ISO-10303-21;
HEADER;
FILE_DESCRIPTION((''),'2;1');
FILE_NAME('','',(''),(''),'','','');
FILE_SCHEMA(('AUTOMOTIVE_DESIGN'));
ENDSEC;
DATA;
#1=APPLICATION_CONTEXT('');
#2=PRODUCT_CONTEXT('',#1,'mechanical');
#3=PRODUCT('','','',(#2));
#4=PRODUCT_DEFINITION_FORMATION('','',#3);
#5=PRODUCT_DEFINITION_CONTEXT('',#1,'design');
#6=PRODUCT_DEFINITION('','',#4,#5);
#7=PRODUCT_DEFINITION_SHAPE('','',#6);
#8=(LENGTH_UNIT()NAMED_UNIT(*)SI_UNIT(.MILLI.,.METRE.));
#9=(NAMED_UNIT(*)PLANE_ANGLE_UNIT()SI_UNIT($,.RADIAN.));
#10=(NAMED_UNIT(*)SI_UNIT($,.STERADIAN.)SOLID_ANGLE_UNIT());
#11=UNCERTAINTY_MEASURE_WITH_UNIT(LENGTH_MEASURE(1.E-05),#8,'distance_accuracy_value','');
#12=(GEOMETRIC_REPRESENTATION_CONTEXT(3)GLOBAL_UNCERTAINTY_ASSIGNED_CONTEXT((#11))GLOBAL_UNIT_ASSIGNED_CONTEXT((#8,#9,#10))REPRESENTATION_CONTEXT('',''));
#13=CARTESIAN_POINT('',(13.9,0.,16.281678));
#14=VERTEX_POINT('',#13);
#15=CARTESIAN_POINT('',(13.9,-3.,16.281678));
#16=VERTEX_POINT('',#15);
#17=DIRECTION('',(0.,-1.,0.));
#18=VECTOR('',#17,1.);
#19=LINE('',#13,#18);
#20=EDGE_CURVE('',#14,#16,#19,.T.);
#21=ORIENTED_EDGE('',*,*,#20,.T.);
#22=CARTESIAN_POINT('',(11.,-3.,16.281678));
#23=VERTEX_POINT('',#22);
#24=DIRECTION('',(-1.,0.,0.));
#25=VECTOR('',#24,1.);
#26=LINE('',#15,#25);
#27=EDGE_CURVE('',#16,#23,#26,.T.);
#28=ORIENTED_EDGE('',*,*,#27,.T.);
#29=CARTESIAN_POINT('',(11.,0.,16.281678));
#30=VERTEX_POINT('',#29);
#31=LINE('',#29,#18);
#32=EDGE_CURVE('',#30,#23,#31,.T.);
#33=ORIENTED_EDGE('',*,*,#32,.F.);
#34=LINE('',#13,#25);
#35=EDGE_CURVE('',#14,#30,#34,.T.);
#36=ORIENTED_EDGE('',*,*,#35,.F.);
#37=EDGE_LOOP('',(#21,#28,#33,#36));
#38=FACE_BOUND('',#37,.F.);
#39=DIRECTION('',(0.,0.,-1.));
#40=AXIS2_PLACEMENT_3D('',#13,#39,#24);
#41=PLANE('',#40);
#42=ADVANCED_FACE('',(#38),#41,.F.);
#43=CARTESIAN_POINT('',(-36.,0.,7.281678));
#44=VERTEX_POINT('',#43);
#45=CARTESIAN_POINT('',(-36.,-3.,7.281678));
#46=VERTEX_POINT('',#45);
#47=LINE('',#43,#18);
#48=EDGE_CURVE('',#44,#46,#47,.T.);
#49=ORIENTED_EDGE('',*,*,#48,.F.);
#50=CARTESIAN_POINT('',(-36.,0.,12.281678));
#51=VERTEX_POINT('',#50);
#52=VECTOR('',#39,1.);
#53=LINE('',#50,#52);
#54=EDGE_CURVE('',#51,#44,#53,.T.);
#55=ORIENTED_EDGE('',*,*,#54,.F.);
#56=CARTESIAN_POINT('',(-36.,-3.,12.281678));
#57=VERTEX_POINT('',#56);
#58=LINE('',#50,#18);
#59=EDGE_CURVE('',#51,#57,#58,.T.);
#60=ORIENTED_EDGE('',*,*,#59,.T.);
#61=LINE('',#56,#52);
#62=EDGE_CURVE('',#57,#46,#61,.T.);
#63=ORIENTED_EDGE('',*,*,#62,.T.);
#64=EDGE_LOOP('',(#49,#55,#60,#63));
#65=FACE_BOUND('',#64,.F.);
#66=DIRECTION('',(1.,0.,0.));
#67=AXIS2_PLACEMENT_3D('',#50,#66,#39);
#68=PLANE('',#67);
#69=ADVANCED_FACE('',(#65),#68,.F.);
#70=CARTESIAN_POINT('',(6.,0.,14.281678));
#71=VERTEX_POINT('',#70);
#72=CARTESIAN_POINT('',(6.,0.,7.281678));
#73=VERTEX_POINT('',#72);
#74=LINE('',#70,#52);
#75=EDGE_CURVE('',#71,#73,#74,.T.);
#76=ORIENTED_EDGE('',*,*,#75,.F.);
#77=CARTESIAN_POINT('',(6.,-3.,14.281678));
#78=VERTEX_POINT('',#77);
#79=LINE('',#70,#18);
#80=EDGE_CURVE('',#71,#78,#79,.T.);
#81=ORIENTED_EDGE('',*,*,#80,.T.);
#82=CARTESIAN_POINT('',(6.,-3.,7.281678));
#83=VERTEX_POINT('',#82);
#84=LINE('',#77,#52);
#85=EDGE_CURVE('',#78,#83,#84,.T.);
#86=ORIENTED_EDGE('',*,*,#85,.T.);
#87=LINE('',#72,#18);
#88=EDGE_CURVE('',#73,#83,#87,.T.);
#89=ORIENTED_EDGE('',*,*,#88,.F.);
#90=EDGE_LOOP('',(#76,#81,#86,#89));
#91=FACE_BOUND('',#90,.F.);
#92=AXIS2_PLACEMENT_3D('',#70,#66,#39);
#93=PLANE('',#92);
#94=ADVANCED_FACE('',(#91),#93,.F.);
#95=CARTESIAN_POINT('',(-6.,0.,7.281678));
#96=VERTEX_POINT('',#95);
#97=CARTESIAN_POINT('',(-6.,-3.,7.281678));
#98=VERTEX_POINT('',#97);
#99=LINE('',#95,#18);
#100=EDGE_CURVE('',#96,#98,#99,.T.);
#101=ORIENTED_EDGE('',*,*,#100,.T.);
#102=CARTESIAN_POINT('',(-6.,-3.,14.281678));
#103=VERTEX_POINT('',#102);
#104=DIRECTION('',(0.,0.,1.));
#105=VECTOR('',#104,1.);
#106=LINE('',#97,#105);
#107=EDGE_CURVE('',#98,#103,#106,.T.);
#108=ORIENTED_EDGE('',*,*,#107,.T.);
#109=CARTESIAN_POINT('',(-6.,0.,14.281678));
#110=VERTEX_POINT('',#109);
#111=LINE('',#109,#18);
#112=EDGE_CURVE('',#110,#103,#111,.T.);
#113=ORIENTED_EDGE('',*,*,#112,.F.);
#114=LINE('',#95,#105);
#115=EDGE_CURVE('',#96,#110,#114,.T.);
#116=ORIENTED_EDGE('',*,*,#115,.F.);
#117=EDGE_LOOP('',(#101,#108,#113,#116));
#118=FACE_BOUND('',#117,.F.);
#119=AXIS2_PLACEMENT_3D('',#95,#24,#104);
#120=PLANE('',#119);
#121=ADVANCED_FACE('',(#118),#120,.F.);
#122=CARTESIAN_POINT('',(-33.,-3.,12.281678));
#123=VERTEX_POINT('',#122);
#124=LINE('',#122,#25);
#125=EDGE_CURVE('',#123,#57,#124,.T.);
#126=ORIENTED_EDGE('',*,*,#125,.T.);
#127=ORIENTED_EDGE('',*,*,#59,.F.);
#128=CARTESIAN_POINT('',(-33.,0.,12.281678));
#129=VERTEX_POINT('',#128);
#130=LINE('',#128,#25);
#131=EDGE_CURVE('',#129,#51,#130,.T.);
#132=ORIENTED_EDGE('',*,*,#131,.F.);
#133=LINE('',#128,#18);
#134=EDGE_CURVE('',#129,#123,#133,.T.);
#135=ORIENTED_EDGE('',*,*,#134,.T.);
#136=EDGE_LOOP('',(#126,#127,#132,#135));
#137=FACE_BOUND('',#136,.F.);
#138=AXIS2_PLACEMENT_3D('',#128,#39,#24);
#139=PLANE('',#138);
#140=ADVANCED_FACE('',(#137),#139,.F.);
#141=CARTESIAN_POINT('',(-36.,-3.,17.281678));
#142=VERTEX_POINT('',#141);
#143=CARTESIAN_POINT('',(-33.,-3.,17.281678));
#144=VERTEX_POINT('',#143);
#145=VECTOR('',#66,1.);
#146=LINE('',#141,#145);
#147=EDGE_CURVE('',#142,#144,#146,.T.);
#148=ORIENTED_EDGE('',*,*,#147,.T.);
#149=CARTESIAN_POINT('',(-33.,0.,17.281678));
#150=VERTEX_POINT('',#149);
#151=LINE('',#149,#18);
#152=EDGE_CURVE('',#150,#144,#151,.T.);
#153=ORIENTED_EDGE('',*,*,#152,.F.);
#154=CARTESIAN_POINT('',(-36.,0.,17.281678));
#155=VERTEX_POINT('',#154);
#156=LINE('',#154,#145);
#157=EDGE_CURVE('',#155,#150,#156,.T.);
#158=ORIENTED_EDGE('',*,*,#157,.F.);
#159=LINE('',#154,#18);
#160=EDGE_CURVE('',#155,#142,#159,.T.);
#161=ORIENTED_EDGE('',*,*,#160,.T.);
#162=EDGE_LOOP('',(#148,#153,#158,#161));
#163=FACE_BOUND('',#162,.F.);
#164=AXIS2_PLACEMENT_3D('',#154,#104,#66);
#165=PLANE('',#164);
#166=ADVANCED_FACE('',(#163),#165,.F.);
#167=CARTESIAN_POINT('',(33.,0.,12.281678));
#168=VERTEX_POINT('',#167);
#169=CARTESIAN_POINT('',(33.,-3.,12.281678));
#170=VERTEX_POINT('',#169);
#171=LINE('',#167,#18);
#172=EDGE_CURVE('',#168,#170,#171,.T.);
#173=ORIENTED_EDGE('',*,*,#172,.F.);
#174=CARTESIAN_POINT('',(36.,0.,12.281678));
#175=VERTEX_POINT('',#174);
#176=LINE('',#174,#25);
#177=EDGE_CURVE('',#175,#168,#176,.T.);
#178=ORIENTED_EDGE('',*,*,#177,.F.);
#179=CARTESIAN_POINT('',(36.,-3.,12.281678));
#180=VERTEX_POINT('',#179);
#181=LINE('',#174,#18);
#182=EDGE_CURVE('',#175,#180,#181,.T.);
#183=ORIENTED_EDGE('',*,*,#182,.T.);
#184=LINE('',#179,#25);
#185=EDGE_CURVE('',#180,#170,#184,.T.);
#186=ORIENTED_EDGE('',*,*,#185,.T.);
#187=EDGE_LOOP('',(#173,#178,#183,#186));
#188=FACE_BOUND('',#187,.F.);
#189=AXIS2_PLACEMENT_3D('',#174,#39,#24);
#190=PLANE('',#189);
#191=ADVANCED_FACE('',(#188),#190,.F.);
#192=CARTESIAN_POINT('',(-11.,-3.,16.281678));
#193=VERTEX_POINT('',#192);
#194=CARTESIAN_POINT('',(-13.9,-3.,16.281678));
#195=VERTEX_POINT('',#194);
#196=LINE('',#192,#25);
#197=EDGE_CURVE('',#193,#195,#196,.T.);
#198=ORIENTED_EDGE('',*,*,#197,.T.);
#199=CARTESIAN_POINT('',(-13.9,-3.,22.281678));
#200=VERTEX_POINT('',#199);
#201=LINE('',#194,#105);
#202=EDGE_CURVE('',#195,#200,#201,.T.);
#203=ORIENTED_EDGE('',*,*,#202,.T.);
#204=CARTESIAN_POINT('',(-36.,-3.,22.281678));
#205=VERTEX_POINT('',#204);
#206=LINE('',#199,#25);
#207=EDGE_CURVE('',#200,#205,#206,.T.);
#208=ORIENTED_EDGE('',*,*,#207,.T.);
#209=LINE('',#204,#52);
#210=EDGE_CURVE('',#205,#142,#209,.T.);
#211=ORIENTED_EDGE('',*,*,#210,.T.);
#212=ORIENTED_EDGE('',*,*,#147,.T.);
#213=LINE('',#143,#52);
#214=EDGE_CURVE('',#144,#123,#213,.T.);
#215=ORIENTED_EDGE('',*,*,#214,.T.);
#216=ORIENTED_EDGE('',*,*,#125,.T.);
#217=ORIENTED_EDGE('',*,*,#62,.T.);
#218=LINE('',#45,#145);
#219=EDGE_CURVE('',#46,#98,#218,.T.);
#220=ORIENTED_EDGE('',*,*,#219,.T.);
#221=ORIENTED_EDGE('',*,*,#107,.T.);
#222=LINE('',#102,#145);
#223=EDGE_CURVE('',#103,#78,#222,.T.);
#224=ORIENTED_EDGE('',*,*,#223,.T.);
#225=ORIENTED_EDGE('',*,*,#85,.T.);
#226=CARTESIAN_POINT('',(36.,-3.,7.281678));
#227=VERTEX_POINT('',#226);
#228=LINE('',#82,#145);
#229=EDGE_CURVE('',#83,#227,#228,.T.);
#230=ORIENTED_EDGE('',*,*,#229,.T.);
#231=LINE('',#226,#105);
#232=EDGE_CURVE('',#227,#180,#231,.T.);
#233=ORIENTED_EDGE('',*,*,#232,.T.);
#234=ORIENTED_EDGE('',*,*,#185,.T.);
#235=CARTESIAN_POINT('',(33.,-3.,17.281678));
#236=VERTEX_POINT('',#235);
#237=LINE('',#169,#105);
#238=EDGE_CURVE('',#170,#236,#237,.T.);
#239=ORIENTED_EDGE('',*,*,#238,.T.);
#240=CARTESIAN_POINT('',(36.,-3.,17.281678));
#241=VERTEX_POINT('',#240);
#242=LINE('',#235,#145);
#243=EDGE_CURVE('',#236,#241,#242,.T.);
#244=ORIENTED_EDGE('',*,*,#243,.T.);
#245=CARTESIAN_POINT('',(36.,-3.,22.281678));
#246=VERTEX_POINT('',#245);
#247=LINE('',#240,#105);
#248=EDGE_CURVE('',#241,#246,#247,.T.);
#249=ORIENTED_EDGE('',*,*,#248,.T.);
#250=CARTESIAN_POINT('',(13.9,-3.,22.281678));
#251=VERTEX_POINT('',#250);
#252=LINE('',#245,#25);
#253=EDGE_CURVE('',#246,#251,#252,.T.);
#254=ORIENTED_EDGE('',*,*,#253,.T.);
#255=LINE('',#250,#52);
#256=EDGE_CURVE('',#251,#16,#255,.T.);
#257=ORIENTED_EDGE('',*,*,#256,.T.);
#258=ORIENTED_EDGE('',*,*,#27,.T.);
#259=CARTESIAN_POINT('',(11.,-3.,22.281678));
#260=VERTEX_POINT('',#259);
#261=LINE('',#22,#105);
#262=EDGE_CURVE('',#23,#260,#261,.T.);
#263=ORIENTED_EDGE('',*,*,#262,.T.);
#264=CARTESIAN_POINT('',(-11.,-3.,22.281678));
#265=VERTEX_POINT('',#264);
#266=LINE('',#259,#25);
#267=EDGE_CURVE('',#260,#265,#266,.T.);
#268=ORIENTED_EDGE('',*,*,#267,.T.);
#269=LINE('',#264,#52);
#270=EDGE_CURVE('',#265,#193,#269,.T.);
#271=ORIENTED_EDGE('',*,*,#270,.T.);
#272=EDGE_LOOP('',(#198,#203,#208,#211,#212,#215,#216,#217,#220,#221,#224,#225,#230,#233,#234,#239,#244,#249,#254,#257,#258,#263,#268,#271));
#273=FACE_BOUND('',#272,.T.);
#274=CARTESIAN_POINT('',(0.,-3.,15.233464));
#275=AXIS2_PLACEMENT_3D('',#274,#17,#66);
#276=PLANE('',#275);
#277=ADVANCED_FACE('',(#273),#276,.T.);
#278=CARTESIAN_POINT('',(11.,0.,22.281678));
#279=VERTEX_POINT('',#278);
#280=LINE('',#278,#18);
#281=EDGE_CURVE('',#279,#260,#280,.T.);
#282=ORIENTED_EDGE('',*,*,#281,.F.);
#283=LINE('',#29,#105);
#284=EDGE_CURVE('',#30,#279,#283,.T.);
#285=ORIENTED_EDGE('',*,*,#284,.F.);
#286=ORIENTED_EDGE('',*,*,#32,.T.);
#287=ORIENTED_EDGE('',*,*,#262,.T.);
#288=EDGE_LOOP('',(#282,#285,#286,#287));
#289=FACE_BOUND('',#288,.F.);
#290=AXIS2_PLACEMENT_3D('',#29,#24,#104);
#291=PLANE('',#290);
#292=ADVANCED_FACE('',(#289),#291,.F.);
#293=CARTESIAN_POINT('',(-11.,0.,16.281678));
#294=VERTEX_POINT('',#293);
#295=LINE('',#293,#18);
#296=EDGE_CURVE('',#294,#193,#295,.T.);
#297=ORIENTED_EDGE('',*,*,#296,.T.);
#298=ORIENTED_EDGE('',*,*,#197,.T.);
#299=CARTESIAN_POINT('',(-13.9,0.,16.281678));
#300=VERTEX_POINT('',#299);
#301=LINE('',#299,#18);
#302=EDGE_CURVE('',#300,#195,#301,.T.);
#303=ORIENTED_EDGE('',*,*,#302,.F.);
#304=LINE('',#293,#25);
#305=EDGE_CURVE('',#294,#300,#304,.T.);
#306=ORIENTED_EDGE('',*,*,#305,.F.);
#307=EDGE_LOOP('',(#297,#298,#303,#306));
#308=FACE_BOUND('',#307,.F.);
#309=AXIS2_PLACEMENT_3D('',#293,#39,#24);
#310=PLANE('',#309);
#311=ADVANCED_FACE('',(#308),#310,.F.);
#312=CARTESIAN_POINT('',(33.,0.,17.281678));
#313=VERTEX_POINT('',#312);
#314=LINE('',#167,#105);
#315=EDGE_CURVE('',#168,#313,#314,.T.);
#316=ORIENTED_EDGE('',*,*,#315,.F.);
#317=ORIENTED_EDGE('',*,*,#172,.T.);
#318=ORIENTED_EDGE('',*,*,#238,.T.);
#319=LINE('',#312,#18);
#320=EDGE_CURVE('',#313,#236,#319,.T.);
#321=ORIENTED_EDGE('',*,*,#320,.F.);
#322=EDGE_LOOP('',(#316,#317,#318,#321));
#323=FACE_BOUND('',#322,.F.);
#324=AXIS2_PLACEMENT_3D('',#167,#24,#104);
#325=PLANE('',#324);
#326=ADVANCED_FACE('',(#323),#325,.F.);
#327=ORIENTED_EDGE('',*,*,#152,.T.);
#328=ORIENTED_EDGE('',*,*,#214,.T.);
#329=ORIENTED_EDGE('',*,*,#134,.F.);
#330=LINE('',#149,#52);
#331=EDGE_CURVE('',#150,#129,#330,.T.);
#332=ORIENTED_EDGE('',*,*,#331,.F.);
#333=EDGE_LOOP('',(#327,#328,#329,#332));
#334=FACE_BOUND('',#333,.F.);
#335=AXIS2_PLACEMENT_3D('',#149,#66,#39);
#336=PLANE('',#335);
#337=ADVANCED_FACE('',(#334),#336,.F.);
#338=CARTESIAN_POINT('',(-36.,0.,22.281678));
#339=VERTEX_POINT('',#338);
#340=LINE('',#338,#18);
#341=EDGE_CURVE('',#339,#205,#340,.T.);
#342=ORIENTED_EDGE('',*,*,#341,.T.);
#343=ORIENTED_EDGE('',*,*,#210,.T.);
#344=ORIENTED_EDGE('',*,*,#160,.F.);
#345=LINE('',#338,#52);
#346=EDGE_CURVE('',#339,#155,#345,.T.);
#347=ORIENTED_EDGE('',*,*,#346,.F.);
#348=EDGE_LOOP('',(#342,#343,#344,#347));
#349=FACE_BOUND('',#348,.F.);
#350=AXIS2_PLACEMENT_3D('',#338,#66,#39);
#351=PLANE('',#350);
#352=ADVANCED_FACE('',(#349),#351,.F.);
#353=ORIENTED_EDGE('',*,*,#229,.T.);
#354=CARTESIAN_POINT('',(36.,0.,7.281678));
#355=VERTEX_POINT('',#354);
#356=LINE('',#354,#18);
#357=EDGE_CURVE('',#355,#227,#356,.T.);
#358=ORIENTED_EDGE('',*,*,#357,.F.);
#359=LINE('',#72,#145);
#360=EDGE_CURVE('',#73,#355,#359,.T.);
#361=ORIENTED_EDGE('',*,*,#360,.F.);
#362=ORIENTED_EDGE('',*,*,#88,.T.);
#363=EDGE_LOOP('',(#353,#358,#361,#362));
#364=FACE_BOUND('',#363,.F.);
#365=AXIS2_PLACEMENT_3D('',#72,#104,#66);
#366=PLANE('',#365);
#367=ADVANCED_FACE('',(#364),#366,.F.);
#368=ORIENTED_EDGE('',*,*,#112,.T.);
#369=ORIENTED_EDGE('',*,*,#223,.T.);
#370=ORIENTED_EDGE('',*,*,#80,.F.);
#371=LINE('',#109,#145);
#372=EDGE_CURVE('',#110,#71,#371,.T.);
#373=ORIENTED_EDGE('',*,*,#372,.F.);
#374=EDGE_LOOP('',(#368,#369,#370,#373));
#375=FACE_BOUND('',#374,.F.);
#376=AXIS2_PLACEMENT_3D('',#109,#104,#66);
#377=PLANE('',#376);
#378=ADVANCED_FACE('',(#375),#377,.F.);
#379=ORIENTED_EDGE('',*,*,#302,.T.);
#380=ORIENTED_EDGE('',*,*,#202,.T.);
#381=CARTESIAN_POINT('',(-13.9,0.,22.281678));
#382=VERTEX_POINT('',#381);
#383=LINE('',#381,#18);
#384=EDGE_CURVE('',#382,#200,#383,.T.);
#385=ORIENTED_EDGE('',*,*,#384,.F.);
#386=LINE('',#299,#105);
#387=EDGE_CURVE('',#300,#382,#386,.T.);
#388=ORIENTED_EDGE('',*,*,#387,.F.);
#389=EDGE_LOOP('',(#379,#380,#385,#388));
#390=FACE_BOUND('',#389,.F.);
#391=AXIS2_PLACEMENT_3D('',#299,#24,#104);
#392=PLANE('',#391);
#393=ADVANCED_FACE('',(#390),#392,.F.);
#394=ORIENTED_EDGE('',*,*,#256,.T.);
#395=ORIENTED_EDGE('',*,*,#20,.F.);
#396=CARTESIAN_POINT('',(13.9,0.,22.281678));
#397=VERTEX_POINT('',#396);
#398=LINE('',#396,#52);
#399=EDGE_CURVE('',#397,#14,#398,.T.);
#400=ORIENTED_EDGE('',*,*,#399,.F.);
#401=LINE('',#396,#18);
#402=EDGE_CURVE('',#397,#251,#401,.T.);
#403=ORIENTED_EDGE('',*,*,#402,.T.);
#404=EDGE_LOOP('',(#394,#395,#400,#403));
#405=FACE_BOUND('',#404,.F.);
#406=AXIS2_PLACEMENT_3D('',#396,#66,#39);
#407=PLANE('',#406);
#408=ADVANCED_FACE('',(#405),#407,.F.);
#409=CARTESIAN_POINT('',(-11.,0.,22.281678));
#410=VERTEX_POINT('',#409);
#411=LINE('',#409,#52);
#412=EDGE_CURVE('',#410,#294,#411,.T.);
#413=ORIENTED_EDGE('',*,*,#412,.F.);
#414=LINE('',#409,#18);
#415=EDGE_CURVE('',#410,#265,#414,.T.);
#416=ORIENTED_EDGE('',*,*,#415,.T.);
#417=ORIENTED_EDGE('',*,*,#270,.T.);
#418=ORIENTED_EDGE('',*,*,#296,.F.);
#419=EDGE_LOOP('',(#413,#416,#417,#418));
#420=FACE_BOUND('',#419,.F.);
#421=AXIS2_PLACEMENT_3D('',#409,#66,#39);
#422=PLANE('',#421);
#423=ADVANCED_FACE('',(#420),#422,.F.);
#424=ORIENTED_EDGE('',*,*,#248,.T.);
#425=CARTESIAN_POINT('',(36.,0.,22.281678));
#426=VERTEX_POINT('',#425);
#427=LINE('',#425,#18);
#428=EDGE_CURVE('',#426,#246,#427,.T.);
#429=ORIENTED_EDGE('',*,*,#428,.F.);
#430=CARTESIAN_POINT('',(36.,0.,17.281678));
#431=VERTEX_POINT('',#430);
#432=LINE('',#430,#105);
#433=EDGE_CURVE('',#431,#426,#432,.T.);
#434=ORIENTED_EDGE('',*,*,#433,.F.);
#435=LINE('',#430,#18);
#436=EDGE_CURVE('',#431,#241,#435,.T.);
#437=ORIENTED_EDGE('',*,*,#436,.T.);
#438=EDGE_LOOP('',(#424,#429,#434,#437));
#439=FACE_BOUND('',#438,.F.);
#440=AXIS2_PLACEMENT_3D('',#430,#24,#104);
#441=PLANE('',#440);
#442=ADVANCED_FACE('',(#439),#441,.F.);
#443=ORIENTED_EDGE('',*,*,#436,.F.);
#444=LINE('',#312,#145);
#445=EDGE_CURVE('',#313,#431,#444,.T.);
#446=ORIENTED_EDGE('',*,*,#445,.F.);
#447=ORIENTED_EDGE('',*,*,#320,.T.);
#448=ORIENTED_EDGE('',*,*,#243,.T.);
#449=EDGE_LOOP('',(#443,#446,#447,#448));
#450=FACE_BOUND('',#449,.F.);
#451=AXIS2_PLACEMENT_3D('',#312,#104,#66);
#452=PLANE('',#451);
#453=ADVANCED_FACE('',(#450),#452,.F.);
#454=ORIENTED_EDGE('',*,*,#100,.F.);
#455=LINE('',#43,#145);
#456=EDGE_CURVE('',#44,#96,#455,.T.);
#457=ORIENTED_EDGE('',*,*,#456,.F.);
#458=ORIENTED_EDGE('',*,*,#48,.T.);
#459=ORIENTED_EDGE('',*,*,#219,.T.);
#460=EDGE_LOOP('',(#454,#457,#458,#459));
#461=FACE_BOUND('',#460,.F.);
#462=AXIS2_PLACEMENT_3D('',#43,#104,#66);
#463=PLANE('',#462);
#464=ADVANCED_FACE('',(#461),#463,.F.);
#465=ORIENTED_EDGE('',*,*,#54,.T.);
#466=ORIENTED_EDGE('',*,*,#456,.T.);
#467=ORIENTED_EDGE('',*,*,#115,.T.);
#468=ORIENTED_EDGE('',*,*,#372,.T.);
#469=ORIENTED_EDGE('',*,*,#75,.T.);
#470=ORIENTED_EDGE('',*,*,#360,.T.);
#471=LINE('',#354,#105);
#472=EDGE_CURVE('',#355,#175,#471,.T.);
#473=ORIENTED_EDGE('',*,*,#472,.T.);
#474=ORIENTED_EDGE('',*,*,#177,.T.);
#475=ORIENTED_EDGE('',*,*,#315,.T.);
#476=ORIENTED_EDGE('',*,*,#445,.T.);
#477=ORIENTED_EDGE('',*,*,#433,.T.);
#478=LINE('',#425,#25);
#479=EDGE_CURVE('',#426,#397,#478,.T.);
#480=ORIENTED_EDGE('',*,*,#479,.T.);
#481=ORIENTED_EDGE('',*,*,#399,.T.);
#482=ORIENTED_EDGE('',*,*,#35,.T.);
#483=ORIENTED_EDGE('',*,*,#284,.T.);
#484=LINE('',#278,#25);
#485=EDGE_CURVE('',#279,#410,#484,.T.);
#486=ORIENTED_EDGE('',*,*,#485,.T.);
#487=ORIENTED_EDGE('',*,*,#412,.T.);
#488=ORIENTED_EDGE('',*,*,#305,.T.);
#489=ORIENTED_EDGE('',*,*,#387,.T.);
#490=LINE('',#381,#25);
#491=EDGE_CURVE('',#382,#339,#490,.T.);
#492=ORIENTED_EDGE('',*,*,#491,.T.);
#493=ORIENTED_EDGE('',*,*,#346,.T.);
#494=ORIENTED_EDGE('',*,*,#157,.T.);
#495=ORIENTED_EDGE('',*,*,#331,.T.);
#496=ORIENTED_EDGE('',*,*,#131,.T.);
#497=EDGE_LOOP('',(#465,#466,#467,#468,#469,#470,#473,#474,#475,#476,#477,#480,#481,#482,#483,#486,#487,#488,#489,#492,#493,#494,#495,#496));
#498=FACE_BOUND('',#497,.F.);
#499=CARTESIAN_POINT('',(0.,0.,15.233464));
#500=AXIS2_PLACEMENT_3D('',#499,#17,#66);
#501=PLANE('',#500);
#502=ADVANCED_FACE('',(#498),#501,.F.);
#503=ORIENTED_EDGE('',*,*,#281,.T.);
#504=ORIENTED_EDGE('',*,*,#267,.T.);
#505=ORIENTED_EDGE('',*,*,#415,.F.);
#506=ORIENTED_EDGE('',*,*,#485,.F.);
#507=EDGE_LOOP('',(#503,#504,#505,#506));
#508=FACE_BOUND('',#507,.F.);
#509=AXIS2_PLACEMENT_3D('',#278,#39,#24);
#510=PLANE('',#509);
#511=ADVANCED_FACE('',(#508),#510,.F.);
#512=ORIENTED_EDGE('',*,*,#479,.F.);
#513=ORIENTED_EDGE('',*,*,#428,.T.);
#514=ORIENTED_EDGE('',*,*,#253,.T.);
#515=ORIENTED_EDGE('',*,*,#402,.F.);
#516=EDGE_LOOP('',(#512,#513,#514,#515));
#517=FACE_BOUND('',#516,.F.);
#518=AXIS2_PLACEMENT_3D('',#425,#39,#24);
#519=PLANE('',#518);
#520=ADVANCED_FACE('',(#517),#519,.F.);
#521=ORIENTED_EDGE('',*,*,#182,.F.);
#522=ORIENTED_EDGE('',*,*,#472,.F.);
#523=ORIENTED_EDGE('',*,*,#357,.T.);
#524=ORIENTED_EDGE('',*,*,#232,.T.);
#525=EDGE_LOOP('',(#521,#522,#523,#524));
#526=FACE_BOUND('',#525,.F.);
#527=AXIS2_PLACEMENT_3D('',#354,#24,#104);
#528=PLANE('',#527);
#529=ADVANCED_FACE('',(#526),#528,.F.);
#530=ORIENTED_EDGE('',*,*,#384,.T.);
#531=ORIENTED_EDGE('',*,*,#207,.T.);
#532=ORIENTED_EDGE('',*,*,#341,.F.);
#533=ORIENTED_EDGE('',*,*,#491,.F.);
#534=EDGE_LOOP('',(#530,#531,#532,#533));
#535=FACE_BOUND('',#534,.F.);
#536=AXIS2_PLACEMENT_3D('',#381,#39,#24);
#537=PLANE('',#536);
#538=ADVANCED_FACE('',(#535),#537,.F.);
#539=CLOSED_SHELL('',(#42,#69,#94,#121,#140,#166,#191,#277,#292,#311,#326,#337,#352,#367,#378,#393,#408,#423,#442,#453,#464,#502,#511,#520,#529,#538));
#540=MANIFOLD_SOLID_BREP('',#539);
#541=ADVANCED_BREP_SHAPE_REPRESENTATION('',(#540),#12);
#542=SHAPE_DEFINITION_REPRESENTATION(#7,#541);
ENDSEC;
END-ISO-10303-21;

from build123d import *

# Parameters (mm, degrees)
F1_DEPTH = 3


with BuildPart() as f1:
    # F0 (on Front) → F1 (new body)
    with BuildSketch(Plane.XZ):
        Polygon((-13.9, 22.281678), (-36, 22.281678), (-36, 17.281678), (-33, 17.281678), (-33, 12.281678), (-36, 12.281678), (-36, 7.281678), (-6, 7.281678), (-6, 14.281678), (6, 14.281678), (6, 7.281678), (36, 7.281678), (36, 12.281678), (33, 12.281678), (33, 17.281678), (36, 17.281678), (36, 22.281678), (13.9, 22.281678), (13.9, 16.281678), (11, 16.281678), (11, 22.281678), (-11, 22.281678), (-11, 16.281678), (-13.9, 16.281678), align=None)
    extrude(amount=F1_DEPTH)


solid = f1.part
